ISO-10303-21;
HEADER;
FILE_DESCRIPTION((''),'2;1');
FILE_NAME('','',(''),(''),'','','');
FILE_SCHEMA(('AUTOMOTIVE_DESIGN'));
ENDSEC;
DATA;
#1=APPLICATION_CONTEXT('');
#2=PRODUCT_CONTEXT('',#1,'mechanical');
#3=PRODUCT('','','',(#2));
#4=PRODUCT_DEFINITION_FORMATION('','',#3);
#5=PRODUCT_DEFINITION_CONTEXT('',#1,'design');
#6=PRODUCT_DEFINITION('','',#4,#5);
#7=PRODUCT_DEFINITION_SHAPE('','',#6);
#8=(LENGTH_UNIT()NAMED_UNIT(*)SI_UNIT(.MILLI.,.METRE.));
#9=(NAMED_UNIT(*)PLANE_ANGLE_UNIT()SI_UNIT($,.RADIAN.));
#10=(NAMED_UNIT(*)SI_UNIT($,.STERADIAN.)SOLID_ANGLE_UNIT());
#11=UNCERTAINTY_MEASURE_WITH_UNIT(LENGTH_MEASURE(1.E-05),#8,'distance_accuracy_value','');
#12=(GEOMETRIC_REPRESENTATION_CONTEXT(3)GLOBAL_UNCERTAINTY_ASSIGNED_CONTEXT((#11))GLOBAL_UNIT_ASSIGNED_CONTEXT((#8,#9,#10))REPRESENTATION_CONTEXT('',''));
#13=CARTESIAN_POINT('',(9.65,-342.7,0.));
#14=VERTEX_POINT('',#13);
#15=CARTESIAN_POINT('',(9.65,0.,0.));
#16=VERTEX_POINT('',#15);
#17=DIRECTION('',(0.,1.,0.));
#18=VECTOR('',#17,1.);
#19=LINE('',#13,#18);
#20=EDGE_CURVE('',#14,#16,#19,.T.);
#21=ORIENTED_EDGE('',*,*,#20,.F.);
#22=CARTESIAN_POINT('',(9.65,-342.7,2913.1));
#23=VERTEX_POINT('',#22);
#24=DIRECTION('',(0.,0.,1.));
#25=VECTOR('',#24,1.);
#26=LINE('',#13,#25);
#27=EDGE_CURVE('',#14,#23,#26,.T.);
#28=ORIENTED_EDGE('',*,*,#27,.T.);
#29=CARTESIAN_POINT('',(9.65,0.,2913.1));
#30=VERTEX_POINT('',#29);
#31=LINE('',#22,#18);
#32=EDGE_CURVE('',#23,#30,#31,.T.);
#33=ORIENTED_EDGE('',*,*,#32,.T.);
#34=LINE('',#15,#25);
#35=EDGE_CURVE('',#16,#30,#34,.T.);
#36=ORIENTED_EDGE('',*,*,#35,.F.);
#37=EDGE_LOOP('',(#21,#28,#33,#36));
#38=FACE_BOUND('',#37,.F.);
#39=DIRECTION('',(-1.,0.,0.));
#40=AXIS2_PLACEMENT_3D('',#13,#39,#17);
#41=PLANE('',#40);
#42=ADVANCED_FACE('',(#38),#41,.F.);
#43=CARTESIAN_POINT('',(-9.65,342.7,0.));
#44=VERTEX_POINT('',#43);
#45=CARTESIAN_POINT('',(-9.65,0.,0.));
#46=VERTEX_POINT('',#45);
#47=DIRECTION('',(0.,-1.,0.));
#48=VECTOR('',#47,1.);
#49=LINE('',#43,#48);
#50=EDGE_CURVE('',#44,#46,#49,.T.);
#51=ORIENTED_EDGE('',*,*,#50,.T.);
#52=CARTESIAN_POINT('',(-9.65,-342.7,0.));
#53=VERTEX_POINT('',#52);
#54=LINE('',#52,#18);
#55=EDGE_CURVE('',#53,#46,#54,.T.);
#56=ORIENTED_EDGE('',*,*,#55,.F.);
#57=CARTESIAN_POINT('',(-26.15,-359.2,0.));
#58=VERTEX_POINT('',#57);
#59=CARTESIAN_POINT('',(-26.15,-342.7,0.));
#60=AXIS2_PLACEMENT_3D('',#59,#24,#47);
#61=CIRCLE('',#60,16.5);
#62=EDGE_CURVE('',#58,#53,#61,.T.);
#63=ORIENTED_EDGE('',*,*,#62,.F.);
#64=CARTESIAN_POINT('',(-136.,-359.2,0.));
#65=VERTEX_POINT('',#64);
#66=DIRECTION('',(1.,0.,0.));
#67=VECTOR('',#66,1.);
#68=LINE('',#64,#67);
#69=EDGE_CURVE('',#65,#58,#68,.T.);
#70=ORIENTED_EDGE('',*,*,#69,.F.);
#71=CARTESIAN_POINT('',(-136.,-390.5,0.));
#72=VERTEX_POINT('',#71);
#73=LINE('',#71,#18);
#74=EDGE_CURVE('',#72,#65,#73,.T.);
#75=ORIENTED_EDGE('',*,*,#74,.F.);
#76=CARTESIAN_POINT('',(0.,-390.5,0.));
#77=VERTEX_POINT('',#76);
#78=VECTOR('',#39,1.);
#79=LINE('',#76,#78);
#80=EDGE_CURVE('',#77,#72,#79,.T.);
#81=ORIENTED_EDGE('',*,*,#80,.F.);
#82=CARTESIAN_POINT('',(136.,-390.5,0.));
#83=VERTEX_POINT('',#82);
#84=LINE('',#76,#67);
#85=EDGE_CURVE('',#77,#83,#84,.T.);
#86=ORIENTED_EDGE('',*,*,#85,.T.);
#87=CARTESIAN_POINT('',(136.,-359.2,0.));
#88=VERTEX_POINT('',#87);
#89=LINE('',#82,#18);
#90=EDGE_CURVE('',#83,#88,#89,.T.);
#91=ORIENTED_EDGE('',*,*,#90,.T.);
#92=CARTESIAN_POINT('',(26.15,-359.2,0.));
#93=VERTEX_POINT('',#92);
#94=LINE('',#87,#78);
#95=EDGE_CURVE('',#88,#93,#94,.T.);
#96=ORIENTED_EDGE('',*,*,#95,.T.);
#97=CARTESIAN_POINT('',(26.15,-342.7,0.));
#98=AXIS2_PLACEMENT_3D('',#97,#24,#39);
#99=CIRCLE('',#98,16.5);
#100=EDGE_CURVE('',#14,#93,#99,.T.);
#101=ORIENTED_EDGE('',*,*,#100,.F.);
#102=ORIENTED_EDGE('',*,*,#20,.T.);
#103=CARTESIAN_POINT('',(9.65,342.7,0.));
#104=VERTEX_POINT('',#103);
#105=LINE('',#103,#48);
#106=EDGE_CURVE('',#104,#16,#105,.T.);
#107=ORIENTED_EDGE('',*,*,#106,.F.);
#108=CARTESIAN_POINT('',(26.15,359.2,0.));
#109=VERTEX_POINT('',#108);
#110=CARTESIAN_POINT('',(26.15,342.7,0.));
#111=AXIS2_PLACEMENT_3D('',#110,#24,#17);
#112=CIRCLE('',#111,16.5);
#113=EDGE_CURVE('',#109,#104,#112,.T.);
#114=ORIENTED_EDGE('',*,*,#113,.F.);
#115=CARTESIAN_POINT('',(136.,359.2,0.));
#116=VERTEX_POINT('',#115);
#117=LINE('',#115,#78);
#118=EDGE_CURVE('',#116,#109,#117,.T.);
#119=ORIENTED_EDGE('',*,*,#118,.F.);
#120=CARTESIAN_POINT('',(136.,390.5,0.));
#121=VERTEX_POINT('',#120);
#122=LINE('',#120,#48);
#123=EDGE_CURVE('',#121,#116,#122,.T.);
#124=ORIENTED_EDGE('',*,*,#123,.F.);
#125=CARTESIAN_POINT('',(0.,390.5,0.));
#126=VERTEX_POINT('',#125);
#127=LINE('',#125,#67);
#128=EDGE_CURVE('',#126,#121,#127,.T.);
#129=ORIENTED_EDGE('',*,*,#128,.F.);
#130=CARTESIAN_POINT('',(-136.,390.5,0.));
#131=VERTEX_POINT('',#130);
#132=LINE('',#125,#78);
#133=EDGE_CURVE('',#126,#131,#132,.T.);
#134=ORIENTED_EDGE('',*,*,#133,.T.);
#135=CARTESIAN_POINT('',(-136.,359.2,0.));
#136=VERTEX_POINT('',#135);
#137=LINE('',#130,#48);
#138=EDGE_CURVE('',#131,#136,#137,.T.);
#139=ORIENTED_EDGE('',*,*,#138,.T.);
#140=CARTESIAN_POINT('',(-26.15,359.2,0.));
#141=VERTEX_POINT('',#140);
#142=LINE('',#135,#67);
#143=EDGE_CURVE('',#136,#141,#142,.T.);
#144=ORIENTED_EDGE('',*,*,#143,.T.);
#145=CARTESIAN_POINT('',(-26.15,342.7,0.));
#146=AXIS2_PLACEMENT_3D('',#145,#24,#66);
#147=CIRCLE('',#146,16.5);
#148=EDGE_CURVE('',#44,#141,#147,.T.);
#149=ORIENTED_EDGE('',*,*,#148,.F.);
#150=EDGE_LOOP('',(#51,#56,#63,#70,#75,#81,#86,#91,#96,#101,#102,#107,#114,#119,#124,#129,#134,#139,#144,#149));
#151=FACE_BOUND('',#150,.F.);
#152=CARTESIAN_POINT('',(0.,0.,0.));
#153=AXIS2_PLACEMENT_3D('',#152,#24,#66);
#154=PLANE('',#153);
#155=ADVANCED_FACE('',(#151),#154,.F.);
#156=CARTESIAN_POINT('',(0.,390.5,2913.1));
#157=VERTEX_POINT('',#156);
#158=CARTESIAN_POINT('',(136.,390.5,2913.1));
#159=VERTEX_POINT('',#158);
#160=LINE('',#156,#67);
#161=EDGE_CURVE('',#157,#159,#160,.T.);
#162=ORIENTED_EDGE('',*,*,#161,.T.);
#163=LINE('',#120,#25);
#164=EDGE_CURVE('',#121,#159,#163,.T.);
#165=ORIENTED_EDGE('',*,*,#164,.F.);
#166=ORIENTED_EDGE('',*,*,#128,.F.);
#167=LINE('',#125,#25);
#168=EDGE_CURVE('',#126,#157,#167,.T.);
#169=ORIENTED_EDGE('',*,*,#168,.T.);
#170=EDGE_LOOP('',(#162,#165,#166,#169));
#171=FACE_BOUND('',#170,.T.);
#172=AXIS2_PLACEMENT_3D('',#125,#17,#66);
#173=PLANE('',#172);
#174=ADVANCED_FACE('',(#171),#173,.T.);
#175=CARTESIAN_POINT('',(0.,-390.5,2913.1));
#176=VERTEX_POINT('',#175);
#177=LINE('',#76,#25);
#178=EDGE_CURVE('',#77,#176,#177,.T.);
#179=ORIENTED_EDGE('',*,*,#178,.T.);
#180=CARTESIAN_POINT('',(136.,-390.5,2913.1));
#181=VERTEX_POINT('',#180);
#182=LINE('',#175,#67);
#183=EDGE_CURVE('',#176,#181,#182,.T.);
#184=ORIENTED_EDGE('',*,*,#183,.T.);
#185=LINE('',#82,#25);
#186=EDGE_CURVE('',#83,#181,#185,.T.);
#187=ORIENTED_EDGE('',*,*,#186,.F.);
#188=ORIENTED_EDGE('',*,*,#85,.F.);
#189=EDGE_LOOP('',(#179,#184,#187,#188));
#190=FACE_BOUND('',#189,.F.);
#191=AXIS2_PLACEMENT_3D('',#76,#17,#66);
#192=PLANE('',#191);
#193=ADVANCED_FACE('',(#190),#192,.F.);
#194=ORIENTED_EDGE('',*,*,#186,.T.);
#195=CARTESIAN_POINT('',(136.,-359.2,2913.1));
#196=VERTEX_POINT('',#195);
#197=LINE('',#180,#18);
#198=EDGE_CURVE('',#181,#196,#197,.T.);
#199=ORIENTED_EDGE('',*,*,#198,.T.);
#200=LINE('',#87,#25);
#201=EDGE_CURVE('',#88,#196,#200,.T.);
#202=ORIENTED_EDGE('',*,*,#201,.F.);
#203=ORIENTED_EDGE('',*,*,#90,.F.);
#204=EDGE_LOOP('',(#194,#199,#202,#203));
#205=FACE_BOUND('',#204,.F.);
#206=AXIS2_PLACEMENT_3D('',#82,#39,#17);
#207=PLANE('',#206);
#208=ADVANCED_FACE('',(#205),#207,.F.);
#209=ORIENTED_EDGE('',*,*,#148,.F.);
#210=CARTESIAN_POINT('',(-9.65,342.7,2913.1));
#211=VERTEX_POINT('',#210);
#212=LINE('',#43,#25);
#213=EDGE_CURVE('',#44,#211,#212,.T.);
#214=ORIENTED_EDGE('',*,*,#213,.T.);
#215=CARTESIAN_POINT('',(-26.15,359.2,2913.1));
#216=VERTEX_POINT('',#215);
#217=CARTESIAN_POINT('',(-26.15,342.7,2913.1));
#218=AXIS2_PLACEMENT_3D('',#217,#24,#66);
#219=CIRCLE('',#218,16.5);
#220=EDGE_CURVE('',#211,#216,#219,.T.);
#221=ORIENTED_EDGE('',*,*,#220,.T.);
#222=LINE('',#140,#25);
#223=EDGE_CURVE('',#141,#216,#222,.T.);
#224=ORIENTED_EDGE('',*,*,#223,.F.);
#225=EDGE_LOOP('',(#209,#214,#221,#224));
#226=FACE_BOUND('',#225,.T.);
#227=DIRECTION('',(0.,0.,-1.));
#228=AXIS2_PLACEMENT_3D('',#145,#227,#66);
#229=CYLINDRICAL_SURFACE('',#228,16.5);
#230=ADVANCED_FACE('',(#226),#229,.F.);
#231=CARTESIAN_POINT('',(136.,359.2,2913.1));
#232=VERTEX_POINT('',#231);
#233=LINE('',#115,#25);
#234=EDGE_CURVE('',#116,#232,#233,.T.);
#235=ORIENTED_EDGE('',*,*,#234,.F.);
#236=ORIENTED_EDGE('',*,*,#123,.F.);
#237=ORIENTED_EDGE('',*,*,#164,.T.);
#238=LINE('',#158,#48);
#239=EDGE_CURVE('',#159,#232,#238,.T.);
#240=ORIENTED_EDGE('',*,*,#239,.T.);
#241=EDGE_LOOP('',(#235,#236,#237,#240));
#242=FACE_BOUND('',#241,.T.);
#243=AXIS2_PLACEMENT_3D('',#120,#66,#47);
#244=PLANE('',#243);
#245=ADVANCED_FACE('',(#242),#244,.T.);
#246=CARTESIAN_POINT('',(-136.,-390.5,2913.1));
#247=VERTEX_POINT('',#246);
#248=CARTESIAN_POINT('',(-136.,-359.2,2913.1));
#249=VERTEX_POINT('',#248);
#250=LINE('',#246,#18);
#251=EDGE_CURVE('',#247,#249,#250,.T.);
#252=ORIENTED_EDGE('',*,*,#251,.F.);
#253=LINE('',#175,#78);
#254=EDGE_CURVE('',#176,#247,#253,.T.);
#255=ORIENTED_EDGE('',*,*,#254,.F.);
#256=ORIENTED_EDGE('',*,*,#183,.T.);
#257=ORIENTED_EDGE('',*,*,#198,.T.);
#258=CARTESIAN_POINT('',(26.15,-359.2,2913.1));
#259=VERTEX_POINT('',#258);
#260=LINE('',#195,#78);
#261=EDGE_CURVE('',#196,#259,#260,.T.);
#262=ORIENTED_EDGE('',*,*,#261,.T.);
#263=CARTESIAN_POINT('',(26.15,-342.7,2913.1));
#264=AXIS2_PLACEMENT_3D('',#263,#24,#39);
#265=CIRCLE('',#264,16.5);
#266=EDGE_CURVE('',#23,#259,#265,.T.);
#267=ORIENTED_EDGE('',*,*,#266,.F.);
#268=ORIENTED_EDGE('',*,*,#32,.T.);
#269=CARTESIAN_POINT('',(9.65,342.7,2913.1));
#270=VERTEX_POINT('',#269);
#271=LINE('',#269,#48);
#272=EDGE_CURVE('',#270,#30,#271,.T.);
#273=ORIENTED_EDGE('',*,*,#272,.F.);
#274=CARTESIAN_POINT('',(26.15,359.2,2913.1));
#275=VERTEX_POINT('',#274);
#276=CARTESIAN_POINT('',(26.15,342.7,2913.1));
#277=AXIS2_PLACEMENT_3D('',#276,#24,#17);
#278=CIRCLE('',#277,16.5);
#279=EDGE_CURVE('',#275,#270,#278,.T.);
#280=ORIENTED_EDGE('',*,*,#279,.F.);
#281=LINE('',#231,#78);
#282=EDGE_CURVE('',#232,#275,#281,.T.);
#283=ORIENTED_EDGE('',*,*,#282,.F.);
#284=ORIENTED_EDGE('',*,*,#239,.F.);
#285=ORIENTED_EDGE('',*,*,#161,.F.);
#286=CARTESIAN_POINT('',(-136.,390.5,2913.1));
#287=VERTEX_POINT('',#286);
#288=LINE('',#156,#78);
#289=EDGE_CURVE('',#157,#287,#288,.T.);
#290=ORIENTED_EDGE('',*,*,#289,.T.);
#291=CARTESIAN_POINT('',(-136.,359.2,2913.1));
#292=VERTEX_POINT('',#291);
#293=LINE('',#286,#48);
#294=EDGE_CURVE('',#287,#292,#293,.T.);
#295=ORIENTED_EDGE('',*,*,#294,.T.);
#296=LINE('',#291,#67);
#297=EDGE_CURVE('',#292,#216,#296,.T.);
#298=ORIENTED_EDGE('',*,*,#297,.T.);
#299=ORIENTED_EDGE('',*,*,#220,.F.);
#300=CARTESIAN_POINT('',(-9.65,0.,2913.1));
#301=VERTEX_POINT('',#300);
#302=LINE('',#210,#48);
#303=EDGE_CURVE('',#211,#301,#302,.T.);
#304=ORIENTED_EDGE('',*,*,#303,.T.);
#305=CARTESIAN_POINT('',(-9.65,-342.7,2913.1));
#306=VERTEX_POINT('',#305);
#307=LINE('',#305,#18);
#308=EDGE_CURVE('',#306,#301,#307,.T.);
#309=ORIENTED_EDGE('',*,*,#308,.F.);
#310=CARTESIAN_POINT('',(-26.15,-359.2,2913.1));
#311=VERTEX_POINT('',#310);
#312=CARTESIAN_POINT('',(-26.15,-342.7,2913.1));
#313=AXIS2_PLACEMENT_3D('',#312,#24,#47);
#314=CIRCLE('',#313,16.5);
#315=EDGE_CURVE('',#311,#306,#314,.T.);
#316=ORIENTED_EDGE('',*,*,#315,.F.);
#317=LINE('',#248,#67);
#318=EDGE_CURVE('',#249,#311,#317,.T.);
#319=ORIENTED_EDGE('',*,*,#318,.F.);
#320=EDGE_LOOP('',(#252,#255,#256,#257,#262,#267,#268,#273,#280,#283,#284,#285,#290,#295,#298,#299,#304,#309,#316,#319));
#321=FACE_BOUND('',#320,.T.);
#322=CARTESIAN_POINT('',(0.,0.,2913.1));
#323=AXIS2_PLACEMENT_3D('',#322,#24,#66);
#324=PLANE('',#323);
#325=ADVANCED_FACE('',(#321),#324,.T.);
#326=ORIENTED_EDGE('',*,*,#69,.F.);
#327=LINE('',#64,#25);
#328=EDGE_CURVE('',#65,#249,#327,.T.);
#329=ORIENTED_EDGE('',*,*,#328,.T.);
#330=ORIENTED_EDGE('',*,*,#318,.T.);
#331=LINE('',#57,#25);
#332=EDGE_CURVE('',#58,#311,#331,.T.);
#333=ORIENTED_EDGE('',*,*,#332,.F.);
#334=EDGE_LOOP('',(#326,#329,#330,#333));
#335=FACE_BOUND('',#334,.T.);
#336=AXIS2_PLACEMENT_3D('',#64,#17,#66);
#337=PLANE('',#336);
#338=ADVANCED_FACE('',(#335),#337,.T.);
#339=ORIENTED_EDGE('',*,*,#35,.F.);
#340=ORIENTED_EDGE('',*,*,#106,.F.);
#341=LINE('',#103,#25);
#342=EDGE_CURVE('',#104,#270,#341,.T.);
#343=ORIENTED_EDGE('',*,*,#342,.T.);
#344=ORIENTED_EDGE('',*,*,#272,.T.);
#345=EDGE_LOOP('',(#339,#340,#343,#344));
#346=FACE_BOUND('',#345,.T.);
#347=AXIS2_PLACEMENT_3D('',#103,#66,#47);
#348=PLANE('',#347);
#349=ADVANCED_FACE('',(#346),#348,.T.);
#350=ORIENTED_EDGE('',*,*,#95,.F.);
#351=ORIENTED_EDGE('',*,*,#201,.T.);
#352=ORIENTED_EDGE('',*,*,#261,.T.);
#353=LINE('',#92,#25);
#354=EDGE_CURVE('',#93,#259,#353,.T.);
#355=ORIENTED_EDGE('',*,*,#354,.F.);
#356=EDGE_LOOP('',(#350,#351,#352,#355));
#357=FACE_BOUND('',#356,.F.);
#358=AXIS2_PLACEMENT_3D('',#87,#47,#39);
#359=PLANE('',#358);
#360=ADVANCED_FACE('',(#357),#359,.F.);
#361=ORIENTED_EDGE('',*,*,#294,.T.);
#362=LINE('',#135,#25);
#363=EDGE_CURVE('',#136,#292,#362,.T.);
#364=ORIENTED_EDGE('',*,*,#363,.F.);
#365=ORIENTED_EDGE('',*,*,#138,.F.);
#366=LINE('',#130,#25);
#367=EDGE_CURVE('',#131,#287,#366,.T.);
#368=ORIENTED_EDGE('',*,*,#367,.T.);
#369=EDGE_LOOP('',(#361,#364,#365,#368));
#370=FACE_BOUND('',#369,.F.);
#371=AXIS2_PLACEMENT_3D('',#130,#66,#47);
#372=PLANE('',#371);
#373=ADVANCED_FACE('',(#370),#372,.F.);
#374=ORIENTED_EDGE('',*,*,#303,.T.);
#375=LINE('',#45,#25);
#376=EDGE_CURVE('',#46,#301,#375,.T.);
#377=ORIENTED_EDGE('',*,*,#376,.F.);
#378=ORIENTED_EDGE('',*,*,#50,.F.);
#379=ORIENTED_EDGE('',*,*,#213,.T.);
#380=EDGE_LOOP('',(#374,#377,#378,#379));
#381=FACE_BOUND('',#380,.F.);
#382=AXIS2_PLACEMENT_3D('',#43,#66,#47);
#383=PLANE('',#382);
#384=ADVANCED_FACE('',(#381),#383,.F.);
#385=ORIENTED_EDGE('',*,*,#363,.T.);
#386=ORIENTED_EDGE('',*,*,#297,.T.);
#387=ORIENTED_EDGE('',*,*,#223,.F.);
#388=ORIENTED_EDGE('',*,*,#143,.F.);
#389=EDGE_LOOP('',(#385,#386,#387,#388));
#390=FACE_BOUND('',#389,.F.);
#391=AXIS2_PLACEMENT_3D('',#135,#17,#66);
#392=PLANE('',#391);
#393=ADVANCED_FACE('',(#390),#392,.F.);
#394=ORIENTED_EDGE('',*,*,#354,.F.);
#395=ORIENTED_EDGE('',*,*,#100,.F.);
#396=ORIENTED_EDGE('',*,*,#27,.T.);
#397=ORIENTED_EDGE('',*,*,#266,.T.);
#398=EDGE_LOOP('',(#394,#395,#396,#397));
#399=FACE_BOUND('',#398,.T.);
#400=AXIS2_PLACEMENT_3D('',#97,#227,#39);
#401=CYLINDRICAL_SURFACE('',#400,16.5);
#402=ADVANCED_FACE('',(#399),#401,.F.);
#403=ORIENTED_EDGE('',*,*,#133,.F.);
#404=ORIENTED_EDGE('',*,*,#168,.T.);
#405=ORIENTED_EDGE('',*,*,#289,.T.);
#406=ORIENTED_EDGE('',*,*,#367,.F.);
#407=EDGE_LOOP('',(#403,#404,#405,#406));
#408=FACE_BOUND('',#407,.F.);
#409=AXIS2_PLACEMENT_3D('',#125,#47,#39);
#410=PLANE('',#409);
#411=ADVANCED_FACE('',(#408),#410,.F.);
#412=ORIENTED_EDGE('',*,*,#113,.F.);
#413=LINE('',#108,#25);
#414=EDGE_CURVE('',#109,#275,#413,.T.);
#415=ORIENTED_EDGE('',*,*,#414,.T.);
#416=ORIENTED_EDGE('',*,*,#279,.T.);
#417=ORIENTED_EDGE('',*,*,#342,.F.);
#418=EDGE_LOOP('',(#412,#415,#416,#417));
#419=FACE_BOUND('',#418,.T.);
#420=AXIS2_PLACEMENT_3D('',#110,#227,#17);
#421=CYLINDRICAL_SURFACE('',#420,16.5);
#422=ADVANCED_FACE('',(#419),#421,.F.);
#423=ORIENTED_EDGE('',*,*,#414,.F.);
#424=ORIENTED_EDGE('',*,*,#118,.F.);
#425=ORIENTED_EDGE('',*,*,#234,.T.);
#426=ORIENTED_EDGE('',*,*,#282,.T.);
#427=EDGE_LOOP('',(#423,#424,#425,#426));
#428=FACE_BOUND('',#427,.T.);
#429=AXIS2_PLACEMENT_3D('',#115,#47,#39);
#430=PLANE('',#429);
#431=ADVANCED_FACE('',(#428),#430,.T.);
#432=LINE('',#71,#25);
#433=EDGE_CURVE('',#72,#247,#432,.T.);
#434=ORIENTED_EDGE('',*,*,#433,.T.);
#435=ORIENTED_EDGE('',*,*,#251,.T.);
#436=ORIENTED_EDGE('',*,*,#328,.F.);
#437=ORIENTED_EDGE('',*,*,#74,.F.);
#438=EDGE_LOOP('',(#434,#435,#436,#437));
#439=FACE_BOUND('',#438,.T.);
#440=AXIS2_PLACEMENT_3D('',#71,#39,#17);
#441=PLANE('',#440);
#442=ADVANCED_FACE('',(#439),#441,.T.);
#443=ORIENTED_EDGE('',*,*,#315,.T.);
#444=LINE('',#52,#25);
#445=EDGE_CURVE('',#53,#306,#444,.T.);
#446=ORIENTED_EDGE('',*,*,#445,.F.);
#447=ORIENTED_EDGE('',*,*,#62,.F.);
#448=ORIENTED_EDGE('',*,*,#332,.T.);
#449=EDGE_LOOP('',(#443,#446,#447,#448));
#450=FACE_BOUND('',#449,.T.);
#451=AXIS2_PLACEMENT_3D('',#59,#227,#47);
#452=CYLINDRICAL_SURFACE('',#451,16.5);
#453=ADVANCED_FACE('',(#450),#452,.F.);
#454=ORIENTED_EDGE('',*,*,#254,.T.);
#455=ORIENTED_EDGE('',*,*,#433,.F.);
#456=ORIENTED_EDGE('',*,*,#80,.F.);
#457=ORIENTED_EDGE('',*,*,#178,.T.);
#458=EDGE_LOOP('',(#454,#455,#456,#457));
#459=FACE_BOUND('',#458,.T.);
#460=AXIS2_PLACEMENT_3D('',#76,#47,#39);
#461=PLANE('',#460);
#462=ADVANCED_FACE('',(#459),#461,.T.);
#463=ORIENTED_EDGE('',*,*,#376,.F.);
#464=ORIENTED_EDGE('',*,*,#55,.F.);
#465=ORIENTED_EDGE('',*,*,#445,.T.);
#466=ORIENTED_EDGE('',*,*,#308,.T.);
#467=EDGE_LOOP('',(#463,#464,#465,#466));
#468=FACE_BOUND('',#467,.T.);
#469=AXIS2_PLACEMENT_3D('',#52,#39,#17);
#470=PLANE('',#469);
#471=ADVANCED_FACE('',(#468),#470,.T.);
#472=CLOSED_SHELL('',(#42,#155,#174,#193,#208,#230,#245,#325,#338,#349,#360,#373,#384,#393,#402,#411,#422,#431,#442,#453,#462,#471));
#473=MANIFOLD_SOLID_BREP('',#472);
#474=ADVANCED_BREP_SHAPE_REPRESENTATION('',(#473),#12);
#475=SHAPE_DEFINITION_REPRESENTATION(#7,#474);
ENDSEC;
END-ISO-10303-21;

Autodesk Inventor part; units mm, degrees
ref_plane "YZ Plane" through (0, 0, 0) normal (1, 0, 0) x (0, 1, 0)
ref_plane "Start plane" through (0, 0, 0) normal (0, 0, 1) x (1, 0, 0)
ref_plane "End plane" through (0, 0, 2913.1) normal (0, 0, 1) x (1, 0, 0)
sketch "Sketch" plane through (0, 0, 0) normal (0, 0, 1) x (1, 0, 0)
  line L0 (-136, -390.5) -> (-136, -359.2)
  line L1 (-136, -359.2) -> (-26.15, -359.2)
  line L2 (-9.65, -342.7) -> (-9.65, 0)
  line L3 (-9.65, 0) -> (0, 0) construction
  line L4 (0, 0) -> (0, -390.5) construction
  line L5 (0, -390.5) -> (-136, -390.5)
  line L6 (-60, 0) -> (80, 0) construction
  line L7 (0, -60) -> (0, 80) construction
  line L8 (136, -390.5) -> (136, -359.2)
  line L9 (136, -359.2) -> (26.15, -359.2)
  line L10 (9.65, -342.7) -> (9.65, 0)
  line L11 (9.65, 0) -> (0, 0) construction
  line L12 (0, -390.5) -> (136, -390.5)
  line L13 (-136, 390.5) -> (-136, 359.2)
  line L14 (-136, 359.2) -> (-26.15, 359.2)
  line L15 (-9.65, 342.7) -> (-9.65, 0)
  line L16 (0, 390.5) -> (-136, 390.5)
  line L17 (136, 390.5) -> (136, 359.2)
  line L18 (136, 359.2) -> (26.15, 359.2)
  line L19 (0, 390.5) -> (136, 390.5)
  line L20 (9.65, 342.7) -> (9.65, 0)
  arc A0 (-9.65, 342.7) -> (-26.15, 359.2) centre (-26.15, 342.7) ccw
  arc A1 (26.15, 359.2) -> (9.65, 342.7) centre (26.15, 342.7) ccw
  arc A2 (9.65, -342.7) -> (26.15, -359.2) centre (26.15, -342.7) ccw
  arc A3 (-26.15, -359.2) -> (-9.65, -342.7) centre (-26.15, -342.7) ccw
  line L21 (0, 108) -> (0, -88) construction
  line L22 (-88, 0) -> (108, 0) construction
  point P0 (-9.65, -359.2)
  point P1 (9.65, -359.2)
  point P2 (-9.65, 359.2)
  point P3 (9.65, 359.2)
  dimension "d1" = 390.5
  dimension "d2" = 31.3
  dimension "d3" = 136
  dimension "d4" = 9.65
  dimension "d10" = 16.5
extrude "Body" add sketch "Sketch" along normal up to surface (2913.1 mm away) from surface at 0
sketch "Sketch4" plane through (0, 0, 0) normal (0, 0, 1) x (1, 0, 0)
  line L0 (0, 0) -> (10, 0)
ref_plane "Work Plane3" through (0, 0, 0) normal (0, -1, 0) x (1, 0, 0)
sketch "Sketch5" plane through (0, 0, 0) normal (0, -1, 0) x (1, 0, 0)
  line L0 (-2, 0) -> (12, 0) projected
  line L1 (-2, 2913.1) -> (12, 2913.1) projected
  dimension "d14" = 2913.1
equation "\"d1\" = 0.5 * G_H"
equation "\"d2\" = G_T1"
equation "\"d3\" = 0.5 * G_W"
equation "\"d4\" = 0.5 * G_T"
equation "\"d10\" = G_IR"
equation "\"d5\" = G_L"
equation "\"G_W\" = 272"
equation "\"G_H\" = 781"
equation "\"G_T\" = 19.3"
equation "\"G_T1\" = 31.3"
equation "\"G_IR\" = 16.5"
equation "\"G_L\" = d14"
equation "\"G_OFFSET_START\" = 0"
equation "\"G_OFFSET_END\" = 0"
equation "\"d12\" = G_OFFSET_END + B_L"
equation "\"B_L\" = 2913.1"
properties part number "AS 3679-1990 - 760 UB - 244 - 2913.1" material "Steel, Mild"
